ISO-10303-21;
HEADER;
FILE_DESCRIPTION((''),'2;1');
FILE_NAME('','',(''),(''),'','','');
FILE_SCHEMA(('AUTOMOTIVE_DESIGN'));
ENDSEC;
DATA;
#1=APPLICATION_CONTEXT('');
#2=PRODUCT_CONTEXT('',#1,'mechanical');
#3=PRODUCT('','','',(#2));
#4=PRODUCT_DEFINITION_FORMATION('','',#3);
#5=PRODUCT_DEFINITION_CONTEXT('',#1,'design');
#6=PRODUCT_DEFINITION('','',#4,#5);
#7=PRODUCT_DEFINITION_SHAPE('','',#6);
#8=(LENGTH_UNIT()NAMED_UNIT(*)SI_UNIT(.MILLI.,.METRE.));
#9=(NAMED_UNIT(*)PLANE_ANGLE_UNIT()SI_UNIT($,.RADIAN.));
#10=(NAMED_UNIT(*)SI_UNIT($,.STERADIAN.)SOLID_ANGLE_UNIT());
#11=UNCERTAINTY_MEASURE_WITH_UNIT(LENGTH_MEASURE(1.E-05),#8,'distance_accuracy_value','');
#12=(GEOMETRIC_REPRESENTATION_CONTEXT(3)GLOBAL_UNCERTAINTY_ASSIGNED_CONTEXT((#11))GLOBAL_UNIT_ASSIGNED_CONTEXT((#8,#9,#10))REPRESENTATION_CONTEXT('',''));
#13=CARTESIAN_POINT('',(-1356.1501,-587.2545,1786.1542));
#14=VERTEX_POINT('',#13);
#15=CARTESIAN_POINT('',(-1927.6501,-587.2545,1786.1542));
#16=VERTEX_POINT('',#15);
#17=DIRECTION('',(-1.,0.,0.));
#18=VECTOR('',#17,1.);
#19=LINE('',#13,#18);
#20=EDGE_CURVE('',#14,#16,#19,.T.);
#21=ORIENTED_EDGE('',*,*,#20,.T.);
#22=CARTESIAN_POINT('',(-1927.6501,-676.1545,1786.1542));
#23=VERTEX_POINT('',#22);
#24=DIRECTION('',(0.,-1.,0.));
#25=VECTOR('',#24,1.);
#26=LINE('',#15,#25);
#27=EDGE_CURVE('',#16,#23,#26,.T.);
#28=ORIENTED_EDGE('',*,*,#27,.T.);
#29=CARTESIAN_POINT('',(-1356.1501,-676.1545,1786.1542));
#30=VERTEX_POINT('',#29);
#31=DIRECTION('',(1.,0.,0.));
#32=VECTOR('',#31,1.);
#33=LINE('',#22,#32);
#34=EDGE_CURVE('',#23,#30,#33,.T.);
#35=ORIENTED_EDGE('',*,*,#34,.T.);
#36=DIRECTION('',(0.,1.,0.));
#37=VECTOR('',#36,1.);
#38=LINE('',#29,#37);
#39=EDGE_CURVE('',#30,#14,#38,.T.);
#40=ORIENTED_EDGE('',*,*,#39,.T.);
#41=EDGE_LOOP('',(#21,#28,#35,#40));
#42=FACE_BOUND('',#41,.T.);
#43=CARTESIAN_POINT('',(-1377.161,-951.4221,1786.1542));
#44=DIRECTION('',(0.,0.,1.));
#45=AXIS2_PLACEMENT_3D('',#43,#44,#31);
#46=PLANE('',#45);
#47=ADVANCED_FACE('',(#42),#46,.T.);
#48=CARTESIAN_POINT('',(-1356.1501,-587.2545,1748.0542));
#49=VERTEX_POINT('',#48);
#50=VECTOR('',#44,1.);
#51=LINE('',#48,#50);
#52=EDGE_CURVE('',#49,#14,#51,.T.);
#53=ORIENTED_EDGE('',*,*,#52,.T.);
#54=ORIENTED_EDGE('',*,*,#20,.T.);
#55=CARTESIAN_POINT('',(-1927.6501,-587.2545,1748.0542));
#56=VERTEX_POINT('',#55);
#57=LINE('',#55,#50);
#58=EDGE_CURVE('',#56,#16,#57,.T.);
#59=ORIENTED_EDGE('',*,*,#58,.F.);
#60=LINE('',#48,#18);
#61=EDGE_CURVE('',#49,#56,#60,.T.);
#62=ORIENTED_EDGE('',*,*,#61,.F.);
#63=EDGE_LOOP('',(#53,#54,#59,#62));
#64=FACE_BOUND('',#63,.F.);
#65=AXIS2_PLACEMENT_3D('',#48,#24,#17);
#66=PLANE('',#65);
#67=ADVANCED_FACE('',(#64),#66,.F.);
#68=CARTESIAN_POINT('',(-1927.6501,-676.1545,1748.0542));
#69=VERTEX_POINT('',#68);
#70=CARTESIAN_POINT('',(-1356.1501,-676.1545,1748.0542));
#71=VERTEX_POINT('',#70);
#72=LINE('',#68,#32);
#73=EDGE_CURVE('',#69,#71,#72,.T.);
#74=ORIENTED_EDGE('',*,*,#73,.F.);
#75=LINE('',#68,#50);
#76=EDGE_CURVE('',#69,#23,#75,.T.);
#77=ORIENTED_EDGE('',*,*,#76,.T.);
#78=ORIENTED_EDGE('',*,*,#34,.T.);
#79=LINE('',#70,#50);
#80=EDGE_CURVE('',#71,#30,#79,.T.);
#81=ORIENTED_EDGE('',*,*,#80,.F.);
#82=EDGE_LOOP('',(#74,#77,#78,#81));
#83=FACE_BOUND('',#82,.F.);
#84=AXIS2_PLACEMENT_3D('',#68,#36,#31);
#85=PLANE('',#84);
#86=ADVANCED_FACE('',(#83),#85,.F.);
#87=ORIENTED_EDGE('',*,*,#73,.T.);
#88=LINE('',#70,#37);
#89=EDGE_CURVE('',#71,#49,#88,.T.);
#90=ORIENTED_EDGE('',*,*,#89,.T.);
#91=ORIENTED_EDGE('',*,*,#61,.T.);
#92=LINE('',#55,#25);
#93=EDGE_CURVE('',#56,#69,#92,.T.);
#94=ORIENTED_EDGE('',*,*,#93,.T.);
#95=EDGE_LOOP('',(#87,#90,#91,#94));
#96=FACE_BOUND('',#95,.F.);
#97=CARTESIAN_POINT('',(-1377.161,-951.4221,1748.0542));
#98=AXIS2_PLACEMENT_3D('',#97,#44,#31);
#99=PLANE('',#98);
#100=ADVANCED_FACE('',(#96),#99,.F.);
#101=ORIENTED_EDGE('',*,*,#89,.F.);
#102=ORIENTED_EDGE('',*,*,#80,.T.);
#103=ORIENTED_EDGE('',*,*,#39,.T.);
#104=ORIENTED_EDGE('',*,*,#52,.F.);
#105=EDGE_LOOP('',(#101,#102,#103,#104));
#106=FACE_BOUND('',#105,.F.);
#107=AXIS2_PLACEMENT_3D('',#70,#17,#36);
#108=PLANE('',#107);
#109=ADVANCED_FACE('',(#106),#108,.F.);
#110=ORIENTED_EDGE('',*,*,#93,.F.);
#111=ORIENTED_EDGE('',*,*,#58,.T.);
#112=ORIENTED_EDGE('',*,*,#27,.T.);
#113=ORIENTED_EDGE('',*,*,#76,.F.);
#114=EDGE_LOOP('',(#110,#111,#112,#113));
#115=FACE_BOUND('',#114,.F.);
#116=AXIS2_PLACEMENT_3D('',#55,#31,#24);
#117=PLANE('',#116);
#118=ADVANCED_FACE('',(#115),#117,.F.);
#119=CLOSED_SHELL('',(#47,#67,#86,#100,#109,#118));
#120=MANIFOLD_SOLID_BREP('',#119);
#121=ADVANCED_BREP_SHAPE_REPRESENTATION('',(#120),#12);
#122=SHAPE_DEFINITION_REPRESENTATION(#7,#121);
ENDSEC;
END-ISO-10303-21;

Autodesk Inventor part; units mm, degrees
ref_plane "YZ Plane" through (0, 0, 0) normal (1, 0, 0) x (0, 1, 0)
ref_plane "XZ Plane" through (0, 0, 0) normal (0, 1, 0) x (-1, 0, 0)
ref_plane "XY Plane" through (0, 0, 0) normal (0, 0, 1) x (1, 0, 0)
ref_plane "Work Plane1" through (-1377.161, -951.4221, 1748.0542) normal (0, 0, 1) x (1, 0, 0)
sketch "Sketch1" plane through (-1377.161, -951.4221, 1748.0542) normal (0, 0, 1) x (1, 0, 0)
  line L0 (21.0109, 364.1676) -> (-550.4891, 364.1676)
  line L1 (-550.4891, 364.1676) -> (-550.4891, 275.2676)
  line L2 (-550.4891, 275.2676) -> (21.0109, 275.2676)
  line L3 (21.0109, 275.2676) -> (21.0109, 364.1676)
  point P0 (1377.161, 951.4221)
  dimension "d0" = 571.5
  dimension "d1" = 88.9
extrude "Extrusion1" add sketch "Sketch1" along normal blind 38.1
properties part number "LSideBar" material "Wood"
